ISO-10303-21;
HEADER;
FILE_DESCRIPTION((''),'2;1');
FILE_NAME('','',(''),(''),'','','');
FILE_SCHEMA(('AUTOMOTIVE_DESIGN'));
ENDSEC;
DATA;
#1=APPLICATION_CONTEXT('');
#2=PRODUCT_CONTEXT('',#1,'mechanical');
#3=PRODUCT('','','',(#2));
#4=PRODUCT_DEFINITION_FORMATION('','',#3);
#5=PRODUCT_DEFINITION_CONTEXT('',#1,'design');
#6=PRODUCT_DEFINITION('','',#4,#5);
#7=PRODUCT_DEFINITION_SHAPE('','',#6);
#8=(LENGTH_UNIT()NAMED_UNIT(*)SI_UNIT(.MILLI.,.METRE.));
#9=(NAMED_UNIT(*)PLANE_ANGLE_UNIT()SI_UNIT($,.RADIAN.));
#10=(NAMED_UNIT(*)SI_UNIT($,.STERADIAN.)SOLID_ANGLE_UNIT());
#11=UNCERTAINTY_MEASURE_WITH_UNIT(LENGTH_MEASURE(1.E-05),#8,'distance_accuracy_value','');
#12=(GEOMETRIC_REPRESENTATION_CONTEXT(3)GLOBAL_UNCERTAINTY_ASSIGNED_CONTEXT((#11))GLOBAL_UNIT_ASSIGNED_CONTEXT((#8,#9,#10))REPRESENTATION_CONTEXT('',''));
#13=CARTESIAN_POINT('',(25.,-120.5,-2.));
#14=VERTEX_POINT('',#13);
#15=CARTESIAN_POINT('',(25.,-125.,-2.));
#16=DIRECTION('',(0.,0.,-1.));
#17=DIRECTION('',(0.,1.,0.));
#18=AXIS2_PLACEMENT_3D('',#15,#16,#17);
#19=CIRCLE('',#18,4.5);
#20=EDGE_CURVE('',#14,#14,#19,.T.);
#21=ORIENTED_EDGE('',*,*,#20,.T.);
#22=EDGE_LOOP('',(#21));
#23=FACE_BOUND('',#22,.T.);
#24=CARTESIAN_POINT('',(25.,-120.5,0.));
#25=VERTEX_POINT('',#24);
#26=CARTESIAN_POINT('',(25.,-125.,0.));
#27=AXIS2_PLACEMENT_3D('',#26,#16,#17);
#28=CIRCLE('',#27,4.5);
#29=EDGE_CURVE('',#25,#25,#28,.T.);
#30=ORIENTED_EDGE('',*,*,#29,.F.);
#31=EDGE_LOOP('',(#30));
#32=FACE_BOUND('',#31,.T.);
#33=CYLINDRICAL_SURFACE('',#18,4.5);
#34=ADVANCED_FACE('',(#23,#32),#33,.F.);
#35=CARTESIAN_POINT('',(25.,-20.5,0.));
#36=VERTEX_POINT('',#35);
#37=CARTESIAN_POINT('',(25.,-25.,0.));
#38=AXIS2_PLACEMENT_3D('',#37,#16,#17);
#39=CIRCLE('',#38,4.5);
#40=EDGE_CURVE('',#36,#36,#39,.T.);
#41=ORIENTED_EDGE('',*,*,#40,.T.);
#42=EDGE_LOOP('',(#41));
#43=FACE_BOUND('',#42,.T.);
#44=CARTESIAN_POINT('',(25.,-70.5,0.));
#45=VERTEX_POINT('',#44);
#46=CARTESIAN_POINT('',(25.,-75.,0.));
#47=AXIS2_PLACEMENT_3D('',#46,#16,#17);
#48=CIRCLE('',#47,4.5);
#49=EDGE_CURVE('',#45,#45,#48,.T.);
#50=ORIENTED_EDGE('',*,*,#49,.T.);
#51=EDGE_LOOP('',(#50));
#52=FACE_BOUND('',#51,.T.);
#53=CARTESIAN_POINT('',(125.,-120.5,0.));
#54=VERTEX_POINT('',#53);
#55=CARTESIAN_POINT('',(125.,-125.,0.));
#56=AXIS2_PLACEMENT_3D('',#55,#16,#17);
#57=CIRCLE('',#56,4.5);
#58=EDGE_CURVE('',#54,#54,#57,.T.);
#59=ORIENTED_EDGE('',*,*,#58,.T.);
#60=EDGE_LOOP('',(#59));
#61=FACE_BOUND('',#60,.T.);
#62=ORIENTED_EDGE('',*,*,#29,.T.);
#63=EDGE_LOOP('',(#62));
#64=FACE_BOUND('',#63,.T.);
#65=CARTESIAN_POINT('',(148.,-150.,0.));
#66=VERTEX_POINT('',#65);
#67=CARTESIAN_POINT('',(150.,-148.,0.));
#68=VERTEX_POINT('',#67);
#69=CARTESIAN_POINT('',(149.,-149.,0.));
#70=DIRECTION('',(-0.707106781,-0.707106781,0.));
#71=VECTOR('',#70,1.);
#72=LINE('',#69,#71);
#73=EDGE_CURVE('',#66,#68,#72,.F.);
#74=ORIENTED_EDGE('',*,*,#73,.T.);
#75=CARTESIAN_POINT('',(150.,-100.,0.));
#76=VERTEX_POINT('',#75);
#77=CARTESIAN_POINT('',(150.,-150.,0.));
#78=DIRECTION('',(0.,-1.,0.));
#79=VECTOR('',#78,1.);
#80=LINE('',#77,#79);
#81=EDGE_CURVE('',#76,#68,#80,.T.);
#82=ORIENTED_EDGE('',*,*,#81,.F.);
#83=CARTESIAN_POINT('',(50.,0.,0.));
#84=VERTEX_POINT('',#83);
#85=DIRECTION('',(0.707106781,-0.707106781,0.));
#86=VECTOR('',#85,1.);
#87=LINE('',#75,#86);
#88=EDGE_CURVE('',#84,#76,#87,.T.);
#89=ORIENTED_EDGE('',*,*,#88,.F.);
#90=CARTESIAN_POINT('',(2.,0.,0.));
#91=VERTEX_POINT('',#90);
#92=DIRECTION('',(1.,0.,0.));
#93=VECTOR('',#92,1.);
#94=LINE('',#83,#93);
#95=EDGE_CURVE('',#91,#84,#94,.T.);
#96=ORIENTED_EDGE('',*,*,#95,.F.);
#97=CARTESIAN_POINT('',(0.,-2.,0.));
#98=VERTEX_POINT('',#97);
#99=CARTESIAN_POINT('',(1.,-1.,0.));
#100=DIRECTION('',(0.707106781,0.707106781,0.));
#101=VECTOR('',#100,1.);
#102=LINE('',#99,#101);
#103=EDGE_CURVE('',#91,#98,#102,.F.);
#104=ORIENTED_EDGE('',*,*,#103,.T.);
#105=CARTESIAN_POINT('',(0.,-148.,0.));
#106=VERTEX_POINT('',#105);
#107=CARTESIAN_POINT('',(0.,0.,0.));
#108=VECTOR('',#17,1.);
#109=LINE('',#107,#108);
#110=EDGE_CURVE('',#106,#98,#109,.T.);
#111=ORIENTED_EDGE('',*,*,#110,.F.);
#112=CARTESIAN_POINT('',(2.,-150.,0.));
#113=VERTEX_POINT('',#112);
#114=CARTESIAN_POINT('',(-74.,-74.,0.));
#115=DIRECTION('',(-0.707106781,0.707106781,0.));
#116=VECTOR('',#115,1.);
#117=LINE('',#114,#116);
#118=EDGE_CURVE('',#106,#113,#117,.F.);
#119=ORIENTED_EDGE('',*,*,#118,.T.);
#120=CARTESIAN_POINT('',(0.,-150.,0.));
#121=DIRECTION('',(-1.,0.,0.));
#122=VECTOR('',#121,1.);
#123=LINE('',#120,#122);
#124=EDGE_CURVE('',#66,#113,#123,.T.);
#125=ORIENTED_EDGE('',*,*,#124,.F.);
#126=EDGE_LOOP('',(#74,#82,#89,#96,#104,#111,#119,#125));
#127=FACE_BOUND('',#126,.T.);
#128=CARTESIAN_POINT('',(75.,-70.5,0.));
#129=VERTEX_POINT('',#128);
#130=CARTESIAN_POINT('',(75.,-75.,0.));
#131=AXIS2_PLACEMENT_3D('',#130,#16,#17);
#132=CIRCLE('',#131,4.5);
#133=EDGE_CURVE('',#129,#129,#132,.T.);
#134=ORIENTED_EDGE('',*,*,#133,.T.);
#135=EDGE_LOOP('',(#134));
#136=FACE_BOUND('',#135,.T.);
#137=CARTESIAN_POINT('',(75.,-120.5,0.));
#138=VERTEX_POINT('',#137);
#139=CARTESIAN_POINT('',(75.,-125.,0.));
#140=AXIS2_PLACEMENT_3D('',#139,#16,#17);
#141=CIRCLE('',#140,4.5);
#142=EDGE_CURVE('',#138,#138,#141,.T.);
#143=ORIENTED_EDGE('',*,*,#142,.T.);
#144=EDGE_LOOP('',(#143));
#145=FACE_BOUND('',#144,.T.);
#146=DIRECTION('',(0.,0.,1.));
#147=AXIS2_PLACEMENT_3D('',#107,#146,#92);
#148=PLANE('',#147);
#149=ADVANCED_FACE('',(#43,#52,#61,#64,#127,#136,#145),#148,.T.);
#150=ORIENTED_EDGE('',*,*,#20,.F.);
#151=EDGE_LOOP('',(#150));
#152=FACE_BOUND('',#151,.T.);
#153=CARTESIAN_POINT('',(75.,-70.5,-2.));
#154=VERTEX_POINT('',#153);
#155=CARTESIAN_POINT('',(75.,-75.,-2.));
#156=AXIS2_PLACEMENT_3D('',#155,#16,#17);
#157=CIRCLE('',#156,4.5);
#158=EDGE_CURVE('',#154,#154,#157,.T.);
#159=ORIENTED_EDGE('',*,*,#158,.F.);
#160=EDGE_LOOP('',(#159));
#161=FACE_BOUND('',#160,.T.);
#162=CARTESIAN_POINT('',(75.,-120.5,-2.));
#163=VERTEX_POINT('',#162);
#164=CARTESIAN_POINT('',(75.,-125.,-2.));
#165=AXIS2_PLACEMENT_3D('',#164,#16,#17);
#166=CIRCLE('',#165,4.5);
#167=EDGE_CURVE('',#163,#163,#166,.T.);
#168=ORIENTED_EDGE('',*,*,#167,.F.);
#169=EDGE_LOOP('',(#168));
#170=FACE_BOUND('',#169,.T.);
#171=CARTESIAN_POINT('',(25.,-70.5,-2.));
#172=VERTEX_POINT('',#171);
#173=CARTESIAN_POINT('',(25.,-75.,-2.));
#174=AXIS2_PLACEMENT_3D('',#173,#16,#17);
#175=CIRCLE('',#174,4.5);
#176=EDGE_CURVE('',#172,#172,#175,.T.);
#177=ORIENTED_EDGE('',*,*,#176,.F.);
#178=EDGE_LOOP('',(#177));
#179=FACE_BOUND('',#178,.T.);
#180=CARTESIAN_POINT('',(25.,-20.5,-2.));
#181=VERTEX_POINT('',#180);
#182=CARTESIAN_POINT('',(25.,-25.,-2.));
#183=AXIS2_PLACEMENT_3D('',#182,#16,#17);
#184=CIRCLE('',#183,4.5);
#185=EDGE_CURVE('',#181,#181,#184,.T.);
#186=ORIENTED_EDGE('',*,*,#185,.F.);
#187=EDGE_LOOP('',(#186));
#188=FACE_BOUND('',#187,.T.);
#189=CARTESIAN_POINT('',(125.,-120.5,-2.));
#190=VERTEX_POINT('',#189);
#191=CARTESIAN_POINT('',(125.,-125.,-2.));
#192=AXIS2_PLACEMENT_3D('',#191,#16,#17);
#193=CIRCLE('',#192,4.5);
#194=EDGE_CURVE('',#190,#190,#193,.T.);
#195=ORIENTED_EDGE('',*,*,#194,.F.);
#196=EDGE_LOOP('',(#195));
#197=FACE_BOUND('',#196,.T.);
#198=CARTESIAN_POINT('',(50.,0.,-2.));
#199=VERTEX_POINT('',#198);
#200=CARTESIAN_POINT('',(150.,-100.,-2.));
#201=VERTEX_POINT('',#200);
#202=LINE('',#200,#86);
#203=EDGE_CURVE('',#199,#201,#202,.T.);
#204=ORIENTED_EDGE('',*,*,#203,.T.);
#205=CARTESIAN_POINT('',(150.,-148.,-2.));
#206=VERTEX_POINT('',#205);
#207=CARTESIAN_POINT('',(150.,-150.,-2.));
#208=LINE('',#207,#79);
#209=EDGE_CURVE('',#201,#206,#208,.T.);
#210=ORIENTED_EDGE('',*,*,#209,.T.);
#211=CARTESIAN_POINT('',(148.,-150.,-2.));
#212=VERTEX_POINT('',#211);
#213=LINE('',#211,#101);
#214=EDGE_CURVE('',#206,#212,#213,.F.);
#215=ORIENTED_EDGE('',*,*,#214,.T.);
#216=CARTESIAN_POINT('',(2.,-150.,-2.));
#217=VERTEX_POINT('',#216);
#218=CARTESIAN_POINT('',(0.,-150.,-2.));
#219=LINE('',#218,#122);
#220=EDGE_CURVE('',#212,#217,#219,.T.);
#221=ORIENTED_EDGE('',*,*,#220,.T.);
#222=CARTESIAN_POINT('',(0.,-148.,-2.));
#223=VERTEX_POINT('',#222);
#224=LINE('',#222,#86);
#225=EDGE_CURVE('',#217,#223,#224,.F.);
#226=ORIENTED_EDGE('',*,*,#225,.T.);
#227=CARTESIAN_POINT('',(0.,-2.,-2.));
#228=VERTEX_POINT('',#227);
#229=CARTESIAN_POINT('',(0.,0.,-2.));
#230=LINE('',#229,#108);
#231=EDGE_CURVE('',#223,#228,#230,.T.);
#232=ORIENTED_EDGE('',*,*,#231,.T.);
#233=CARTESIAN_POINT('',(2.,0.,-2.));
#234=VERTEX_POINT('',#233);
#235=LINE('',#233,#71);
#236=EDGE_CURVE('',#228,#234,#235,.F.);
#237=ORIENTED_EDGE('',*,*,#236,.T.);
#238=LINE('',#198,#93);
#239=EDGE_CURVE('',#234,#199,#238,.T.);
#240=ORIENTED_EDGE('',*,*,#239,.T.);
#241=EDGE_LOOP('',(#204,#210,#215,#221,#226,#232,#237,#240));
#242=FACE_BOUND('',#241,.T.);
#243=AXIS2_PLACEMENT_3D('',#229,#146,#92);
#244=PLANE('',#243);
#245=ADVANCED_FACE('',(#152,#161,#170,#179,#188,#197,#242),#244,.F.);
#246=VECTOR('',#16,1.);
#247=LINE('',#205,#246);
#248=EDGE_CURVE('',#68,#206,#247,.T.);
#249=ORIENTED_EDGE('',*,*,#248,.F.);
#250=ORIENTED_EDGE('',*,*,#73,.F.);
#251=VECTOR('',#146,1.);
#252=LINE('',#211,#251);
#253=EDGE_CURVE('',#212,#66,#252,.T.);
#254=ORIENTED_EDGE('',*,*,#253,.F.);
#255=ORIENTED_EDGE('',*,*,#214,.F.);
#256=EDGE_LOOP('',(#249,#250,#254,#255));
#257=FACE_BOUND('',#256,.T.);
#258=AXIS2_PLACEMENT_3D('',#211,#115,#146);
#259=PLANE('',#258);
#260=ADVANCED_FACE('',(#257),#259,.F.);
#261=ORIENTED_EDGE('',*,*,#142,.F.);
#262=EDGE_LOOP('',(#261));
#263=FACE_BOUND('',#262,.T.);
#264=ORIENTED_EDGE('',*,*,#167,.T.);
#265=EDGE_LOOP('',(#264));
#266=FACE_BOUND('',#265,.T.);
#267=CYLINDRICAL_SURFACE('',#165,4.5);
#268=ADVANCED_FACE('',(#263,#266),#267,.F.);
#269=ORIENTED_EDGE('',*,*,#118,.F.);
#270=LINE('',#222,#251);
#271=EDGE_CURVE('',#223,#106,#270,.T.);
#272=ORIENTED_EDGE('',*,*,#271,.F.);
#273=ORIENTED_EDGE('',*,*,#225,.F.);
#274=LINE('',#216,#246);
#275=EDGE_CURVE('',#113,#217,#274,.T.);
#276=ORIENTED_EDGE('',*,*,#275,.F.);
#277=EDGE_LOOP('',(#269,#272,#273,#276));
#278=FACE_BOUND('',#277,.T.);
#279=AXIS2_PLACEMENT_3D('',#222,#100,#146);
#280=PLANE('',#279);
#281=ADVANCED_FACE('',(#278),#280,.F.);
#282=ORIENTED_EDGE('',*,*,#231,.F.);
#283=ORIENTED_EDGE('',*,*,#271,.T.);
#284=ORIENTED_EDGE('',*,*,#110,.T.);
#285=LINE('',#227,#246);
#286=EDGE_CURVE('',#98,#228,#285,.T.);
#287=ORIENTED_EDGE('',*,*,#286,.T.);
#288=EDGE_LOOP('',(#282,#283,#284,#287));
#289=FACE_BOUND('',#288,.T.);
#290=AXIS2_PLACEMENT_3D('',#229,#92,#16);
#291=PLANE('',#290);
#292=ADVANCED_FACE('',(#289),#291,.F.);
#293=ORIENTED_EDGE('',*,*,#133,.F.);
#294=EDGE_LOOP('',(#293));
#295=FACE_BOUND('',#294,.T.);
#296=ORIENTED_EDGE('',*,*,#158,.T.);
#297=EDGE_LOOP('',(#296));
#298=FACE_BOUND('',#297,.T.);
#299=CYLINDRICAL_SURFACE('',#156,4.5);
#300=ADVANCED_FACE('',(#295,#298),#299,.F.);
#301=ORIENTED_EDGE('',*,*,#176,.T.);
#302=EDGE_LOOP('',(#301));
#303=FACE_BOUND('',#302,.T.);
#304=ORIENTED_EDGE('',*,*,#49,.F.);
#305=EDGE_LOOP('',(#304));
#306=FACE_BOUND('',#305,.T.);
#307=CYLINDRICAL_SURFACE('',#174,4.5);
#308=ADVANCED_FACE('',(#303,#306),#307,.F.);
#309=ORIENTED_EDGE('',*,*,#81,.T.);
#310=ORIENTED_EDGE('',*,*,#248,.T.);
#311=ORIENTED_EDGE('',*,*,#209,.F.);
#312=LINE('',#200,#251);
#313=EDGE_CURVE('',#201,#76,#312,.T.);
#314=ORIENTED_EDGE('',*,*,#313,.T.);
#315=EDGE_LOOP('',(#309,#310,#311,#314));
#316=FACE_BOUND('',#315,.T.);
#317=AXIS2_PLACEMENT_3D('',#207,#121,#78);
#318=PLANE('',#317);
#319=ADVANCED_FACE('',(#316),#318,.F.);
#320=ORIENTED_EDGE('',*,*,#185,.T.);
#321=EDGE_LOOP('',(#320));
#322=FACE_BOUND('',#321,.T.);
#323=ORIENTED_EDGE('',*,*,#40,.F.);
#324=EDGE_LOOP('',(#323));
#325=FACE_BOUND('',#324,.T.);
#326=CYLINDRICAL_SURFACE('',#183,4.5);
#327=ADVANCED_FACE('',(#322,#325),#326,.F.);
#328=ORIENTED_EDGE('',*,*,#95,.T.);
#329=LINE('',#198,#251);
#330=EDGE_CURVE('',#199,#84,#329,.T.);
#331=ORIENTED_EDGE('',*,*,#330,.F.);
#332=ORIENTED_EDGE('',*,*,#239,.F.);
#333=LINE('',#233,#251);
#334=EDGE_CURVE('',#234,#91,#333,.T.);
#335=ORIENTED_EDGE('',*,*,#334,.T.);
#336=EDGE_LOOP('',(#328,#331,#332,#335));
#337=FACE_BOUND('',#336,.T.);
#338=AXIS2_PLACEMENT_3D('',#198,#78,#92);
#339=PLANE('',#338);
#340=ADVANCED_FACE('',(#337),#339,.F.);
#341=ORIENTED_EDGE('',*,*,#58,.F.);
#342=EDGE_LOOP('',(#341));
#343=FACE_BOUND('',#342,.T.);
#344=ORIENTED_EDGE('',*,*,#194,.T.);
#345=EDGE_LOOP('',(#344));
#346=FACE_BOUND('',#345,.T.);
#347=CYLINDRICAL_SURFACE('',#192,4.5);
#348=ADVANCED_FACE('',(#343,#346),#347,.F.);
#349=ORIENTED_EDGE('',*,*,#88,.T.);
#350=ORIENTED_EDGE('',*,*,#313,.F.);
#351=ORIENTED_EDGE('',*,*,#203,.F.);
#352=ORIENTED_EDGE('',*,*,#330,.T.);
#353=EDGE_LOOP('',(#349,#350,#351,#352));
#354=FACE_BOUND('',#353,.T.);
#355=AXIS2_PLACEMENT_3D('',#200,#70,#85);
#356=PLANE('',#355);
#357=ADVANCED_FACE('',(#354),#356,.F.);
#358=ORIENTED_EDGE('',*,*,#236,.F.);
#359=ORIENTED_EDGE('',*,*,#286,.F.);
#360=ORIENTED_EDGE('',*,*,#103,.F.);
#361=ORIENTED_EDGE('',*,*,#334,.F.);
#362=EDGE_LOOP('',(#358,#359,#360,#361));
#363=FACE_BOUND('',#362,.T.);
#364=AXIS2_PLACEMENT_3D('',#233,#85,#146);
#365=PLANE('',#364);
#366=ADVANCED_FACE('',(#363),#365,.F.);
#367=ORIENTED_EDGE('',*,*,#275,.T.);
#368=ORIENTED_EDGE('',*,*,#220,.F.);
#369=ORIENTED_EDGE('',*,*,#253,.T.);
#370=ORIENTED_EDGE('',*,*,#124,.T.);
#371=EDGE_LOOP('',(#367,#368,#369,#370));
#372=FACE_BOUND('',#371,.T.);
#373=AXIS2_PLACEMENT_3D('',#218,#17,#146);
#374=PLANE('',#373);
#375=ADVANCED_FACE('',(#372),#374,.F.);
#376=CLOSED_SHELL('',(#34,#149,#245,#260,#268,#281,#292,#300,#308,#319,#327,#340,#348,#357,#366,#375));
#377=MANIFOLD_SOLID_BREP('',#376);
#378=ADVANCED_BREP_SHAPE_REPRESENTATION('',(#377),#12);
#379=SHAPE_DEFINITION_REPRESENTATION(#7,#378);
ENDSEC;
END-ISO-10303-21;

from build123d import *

# Parameters (mm, degrees)
EXTRUDE_1_DEPTH   = 2
HOLE_WIZARD_M81_D = 9
CHAMFER_1_SIZE    = 2


with BuildPart() as part:
    # Эскиз1 → Бобышка-Вытянуть1 (new body)
    with BuildSketch(Plane(origin=(0, 0, 0), x_dir=(1, 0, 0), z_dir=(0, 0, -1))):
        Polygon((0, 0), (0, 150), (150, 150), (150, 100), (50, 0), align=None)
    extrude(amount=EXTRUDE_1_DEPTH)

    # Отверстие с зазором M81 (through all)
    with Locations(Plane(origin=(0, 0, -2), x_dir=(1, 0, 0), z_dir=(0, 0, -1))):
        with Locations((75, 125), (25, 125), (25, 75), (25, 25), (125, 125), (75, 75)):
            Hole(HOLE_WIZARD_M81_D / 2)

    # Фаска1
    chamfer_1_edges = [part.edges().sort_by_distance(p)[0] for p in [
        (0, 0, -1),
        (0, -150, -1),
        (150, -150, -1),
    ]]
    chamfer(chamfer_1_edges, length=CHAMFER_1_SIZE)


solid = part.part
